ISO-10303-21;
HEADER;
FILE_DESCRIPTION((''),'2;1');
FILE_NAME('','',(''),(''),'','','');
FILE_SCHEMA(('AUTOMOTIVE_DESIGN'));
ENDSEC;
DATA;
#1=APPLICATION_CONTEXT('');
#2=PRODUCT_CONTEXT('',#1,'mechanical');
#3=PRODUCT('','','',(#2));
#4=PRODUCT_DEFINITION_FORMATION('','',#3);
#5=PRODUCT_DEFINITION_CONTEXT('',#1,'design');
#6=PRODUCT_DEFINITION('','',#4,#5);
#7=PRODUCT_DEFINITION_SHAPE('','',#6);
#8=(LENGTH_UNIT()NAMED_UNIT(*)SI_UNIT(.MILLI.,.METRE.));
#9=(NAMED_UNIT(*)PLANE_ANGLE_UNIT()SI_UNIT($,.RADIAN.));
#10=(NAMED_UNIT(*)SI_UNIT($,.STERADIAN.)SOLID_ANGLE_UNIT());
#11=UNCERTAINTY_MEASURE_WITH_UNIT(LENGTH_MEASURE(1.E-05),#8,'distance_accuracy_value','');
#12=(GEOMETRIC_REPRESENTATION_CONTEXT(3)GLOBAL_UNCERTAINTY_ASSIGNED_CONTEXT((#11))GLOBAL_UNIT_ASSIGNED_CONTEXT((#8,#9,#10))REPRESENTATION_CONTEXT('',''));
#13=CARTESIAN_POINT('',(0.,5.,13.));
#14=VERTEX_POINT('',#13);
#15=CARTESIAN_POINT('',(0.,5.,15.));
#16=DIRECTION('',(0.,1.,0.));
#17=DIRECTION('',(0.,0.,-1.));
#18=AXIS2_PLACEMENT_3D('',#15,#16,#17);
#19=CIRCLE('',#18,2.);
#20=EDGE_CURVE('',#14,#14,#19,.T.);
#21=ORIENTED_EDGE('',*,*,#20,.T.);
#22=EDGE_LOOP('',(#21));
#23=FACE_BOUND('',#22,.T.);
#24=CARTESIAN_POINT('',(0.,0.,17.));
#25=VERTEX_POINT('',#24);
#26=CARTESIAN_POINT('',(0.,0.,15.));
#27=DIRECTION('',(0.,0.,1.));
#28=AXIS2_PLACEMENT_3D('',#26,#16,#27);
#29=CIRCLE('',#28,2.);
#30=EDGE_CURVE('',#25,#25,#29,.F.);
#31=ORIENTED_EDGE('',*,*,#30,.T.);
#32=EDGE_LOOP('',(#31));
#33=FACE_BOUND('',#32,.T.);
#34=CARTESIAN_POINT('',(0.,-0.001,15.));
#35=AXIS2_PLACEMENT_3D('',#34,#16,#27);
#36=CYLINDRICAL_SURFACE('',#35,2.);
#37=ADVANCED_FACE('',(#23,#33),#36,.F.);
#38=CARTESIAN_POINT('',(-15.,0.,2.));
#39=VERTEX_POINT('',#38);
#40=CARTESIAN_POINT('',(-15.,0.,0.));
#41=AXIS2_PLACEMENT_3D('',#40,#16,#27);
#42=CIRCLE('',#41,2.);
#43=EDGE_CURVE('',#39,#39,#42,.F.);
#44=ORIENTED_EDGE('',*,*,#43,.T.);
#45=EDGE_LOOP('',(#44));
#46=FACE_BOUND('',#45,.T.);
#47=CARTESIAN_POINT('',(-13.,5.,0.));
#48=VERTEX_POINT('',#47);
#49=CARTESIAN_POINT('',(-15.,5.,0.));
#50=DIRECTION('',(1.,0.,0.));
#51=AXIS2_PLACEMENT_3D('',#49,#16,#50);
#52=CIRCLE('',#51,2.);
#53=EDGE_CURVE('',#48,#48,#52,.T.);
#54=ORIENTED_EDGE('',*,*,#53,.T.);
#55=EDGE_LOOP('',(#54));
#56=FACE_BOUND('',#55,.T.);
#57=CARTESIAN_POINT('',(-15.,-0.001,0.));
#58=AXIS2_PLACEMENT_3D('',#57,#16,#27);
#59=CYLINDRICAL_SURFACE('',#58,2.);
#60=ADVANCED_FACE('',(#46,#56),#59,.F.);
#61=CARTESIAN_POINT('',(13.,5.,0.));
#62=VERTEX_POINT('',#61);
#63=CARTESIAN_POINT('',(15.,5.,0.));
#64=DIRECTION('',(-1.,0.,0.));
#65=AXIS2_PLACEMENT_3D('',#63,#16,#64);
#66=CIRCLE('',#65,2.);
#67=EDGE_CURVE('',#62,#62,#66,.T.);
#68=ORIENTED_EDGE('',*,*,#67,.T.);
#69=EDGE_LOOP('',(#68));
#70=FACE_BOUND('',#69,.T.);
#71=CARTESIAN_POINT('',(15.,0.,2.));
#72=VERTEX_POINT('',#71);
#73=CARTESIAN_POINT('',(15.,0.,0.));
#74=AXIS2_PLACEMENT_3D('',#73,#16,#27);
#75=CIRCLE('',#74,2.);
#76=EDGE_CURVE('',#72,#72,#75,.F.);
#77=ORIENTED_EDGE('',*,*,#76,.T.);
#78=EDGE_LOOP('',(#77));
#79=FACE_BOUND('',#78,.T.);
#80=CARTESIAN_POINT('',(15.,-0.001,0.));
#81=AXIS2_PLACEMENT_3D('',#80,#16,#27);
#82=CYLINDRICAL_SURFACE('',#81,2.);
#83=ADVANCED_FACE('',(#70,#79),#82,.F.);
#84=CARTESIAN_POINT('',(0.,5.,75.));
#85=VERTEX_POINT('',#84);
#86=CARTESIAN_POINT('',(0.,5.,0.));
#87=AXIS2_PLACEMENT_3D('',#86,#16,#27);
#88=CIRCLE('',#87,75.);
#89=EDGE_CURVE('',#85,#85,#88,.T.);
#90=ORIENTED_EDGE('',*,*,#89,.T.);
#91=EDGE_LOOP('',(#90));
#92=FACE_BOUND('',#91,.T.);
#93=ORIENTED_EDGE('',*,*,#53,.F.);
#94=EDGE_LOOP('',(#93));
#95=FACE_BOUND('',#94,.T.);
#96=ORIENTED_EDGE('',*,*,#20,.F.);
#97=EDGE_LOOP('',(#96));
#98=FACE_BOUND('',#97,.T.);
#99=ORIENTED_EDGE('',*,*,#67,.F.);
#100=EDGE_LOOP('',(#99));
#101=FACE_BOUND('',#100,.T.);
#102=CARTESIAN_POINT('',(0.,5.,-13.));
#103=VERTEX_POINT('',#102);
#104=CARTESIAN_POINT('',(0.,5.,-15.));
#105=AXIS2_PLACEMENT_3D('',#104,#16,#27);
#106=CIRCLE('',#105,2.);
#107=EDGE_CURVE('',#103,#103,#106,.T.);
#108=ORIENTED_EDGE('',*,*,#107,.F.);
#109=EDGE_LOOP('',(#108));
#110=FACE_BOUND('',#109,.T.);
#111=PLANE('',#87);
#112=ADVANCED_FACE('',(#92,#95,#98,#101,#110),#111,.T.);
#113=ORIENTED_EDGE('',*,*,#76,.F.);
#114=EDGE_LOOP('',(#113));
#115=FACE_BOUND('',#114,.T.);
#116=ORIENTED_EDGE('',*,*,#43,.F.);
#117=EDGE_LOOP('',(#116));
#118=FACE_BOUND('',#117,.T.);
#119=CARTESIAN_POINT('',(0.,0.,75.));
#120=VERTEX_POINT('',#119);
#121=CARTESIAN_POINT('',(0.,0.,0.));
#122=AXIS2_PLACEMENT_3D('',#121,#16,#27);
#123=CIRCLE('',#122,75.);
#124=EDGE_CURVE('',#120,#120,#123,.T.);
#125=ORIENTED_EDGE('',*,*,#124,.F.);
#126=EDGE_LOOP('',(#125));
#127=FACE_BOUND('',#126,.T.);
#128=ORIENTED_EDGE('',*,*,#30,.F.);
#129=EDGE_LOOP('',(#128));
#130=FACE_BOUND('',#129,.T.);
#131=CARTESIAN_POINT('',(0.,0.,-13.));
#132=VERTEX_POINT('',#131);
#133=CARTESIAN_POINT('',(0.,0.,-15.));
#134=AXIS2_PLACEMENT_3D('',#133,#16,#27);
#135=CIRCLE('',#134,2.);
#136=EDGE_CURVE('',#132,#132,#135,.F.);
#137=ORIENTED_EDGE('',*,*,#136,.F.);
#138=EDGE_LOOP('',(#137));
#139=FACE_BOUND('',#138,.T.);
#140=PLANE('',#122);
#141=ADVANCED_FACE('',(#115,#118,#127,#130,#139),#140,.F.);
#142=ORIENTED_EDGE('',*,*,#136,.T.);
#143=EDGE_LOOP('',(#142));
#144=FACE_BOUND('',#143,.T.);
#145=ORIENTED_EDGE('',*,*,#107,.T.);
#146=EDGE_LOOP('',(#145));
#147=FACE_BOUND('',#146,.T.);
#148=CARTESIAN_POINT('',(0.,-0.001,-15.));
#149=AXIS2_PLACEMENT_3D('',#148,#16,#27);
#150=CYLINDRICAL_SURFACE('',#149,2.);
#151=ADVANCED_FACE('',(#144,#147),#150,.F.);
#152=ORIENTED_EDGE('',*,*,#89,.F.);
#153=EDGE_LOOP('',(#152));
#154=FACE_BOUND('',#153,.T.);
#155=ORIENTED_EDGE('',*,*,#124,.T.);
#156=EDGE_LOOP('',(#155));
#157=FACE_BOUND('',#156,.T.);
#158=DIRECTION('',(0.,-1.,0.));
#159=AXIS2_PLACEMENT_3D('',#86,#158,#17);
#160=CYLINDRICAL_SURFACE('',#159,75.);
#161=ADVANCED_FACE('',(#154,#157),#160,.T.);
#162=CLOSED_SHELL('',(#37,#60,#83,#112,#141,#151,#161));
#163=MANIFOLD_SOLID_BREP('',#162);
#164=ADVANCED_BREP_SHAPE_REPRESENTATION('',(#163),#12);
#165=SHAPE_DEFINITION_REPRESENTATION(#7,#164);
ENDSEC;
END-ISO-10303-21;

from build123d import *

# Parameters (mm, degrees)
SKETCH1_R           = 75
BOSS_EXTRUDE1_DEPTH = 5
CUT_EXTRUDE1_REACH  = 108.184
SKETCH2_R           = 2
CIRPATTERN1_COUNT   = 4


with BuildPart() as part:
    # Sketch1 → Boss-Extrude1 (new body)
    with BuildSketch(Plane(origin=(0, 0, 0), x_dir=(1, 0, 0), z_dir=(0, 1, 0))):
        with Locations(Location((0, 0, 0), (0, 0, 270))):
            Circle(SKETCH1_R)
    extrude(amount=BOSS_EXTRUDE1_DEPTH)

    # Sketch2 → Cut-Extrude1 (cut, up to next)
    with BuildSketch(Plane(origin=(0, 5, 0), x_dir=(1, 0, 0), z_dir=(0, 1, 0)), mode=Mode.PRIVATE) as cut_extrude1_sk1:
        with Locations(Location((0, 15, 0), (0, 0, 270))):
            Circle(SKETCH2_R)
    cut_extrude1_tool1 = extrude(cut_extrude1_sk1.sketch, amount=-CUT_EXTRUDE1_REACH, mode=Mode.PRIVATE) & part.part
    cut_extrude1 = cut_extrude1_tool1.solids().sort_by_distance((0, 5, -15))[0]
    add(cut_extrude1, mode=Mode.SUBTRACT)

    # CirPattern1: Cut-Extrude1 ×4 about axis
    cirpattern1_axis = Axis((0, 0, 0), (0, 1, 0))
    for i in range(1, CIRPATTERN1_COUNT):
        add(cut_extrude1.rotate(cirpattern1_axis, i * 360 / CIRPATTERN1_COUNT), mode=Mode.SUBTRACT)


solid = part.part
